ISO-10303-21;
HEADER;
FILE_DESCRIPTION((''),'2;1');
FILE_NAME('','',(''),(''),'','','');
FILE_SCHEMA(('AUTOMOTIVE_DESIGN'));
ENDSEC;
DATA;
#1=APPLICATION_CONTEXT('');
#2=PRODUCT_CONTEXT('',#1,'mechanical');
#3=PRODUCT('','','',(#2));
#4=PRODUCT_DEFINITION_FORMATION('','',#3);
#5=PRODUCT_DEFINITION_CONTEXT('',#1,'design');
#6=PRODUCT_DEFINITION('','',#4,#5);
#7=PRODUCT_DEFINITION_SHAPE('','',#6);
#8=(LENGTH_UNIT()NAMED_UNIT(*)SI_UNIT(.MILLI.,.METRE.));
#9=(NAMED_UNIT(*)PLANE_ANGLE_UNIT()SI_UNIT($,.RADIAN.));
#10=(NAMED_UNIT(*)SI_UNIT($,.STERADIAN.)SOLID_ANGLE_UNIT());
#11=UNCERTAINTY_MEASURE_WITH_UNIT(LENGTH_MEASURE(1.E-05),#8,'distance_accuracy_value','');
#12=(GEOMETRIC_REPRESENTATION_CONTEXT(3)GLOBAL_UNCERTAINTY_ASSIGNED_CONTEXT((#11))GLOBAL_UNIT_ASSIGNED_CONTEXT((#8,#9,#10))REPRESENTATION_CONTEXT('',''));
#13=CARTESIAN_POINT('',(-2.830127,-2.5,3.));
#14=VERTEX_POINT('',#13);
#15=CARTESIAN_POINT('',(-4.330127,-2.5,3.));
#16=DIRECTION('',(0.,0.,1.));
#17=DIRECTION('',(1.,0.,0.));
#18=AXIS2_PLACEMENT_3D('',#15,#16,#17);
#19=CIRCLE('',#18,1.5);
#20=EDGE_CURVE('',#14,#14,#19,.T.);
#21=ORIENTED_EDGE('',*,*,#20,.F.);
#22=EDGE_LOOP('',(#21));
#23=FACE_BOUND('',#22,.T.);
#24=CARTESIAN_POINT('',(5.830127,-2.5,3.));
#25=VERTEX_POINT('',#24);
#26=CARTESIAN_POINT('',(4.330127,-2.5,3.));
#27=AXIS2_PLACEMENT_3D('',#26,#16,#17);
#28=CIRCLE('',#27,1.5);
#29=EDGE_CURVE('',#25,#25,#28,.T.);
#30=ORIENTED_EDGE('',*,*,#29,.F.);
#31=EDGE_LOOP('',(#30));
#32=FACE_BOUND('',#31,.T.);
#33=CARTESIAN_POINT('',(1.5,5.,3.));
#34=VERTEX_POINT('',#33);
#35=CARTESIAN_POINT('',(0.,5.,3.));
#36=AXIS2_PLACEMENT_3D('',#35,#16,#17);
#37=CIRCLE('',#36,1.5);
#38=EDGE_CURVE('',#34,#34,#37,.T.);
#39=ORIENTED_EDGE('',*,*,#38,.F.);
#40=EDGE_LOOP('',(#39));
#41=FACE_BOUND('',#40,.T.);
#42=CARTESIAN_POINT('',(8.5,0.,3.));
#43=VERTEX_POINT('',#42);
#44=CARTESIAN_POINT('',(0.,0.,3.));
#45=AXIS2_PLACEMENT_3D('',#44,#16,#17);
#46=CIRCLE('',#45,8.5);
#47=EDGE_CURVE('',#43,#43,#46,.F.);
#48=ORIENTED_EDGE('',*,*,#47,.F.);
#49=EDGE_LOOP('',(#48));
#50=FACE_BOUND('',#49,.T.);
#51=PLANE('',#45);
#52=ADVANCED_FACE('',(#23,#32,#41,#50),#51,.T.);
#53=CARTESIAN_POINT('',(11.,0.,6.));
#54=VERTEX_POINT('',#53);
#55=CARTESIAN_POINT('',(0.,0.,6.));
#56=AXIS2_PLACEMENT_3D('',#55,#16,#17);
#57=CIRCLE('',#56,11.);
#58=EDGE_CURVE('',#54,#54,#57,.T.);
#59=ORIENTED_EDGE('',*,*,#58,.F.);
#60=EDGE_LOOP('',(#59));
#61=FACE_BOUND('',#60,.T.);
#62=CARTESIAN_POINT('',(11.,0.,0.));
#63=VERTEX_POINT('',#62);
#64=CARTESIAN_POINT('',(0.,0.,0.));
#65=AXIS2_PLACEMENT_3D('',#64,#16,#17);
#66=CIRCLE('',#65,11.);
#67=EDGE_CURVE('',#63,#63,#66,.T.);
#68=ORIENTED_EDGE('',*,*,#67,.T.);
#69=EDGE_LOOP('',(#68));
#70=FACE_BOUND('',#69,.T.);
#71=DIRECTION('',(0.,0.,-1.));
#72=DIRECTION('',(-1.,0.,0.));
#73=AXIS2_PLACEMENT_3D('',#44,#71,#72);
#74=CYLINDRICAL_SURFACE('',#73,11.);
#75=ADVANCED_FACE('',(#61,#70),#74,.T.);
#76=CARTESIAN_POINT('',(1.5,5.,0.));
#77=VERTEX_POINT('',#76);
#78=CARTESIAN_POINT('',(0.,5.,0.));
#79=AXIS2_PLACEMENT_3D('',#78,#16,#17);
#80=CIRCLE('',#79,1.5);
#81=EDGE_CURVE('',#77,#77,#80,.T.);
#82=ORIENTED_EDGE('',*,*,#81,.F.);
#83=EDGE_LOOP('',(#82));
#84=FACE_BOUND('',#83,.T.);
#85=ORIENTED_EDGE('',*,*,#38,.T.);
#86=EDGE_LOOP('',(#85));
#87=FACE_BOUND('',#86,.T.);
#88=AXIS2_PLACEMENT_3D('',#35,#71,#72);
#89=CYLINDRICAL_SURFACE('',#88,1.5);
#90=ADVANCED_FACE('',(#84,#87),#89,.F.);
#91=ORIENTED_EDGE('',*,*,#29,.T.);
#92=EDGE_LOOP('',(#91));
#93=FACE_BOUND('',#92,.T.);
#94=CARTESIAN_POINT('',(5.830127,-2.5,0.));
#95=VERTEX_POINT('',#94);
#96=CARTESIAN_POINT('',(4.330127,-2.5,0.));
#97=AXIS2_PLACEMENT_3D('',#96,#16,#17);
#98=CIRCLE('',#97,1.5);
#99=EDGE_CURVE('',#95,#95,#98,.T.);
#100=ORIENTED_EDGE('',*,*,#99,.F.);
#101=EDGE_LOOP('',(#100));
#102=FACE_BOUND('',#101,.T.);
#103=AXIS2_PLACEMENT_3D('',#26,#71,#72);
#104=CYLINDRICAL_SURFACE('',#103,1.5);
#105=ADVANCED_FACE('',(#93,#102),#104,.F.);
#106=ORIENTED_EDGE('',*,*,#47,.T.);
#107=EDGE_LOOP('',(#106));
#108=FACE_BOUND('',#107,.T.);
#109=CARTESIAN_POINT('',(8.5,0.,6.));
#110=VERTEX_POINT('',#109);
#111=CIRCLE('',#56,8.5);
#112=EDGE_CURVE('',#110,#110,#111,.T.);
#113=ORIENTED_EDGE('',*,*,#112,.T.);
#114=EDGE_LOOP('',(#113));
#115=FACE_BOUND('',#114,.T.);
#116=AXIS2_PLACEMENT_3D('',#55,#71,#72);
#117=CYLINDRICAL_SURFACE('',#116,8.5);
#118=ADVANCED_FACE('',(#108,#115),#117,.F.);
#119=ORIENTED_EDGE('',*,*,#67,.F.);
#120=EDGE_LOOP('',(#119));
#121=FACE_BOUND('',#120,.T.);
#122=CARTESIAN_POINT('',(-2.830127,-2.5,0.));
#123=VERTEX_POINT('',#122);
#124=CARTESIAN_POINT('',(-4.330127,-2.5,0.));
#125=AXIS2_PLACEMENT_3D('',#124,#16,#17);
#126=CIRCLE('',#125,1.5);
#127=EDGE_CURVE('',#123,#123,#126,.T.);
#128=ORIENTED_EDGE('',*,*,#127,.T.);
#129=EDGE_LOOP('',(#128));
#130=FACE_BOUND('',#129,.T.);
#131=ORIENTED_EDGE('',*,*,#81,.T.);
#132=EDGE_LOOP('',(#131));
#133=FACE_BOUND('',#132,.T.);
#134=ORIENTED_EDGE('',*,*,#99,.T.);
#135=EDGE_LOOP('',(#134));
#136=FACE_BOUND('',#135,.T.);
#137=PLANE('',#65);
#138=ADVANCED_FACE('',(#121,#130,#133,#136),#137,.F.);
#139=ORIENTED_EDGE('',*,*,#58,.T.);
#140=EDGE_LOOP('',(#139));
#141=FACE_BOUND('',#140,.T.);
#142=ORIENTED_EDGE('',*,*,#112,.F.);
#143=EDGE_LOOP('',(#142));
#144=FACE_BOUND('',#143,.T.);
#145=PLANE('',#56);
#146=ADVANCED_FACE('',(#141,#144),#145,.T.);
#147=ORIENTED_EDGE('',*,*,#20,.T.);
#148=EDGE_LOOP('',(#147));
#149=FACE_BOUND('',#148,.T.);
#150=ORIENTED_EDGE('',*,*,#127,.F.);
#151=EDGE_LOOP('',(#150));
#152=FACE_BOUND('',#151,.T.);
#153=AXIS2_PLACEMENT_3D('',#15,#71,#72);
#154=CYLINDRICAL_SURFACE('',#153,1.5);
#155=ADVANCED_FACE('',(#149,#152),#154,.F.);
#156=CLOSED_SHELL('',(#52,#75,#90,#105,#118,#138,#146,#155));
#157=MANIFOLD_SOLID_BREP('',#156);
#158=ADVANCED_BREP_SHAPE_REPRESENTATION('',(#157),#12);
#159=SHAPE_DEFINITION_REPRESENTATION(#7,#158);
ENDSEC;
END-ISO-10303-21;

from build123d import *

# Parameters (mm, degrees)
ESQUISSE1_R        = 11
ESQUISSE1_R_2      = 1.5
BOSS_EXTRU_1_DEPTH = 3
ESQUISSE2_R        = 11
ESQUISSE2_R_2      = 8.5
BOSS_EXTRU_2_DEPTH = 3


with BuildPart() as part:
    # Esquisse1 → Boss.-Extru.1 (new body)
    with BuildSketch(Plane.XY):
        Circle(ESQUISSE1_R)
        with Locations((0, 5)):
            Circle(ESQUISSE1_R_2, mode=Mode.SUBTRACT)
        with Locations((4.330127019, -2.5)):
            Circle(ESQUISSE1_R_2, mode=Mode.SUBTRACT)
        with Locations((-4.330127019, -2.5)):
            Circle(ESQUISSE1_R_2, mode=Mode.SUBTRACT)
    extrude(amount=BOSS_EXTRU_1_DEPTH)

    # Esquisse2 → Boss.-Extru.2 (add)
    with BuildSketch(Plane.XY.offset(3)):
        Circle(ESQUISSE2_R)
        Circle(ESQUISSE2_R_2, mode=Mode.SUBTRACT)
    extrude(amount=BOSS_EXTRU_2_DEPTH)


solid = part.part
